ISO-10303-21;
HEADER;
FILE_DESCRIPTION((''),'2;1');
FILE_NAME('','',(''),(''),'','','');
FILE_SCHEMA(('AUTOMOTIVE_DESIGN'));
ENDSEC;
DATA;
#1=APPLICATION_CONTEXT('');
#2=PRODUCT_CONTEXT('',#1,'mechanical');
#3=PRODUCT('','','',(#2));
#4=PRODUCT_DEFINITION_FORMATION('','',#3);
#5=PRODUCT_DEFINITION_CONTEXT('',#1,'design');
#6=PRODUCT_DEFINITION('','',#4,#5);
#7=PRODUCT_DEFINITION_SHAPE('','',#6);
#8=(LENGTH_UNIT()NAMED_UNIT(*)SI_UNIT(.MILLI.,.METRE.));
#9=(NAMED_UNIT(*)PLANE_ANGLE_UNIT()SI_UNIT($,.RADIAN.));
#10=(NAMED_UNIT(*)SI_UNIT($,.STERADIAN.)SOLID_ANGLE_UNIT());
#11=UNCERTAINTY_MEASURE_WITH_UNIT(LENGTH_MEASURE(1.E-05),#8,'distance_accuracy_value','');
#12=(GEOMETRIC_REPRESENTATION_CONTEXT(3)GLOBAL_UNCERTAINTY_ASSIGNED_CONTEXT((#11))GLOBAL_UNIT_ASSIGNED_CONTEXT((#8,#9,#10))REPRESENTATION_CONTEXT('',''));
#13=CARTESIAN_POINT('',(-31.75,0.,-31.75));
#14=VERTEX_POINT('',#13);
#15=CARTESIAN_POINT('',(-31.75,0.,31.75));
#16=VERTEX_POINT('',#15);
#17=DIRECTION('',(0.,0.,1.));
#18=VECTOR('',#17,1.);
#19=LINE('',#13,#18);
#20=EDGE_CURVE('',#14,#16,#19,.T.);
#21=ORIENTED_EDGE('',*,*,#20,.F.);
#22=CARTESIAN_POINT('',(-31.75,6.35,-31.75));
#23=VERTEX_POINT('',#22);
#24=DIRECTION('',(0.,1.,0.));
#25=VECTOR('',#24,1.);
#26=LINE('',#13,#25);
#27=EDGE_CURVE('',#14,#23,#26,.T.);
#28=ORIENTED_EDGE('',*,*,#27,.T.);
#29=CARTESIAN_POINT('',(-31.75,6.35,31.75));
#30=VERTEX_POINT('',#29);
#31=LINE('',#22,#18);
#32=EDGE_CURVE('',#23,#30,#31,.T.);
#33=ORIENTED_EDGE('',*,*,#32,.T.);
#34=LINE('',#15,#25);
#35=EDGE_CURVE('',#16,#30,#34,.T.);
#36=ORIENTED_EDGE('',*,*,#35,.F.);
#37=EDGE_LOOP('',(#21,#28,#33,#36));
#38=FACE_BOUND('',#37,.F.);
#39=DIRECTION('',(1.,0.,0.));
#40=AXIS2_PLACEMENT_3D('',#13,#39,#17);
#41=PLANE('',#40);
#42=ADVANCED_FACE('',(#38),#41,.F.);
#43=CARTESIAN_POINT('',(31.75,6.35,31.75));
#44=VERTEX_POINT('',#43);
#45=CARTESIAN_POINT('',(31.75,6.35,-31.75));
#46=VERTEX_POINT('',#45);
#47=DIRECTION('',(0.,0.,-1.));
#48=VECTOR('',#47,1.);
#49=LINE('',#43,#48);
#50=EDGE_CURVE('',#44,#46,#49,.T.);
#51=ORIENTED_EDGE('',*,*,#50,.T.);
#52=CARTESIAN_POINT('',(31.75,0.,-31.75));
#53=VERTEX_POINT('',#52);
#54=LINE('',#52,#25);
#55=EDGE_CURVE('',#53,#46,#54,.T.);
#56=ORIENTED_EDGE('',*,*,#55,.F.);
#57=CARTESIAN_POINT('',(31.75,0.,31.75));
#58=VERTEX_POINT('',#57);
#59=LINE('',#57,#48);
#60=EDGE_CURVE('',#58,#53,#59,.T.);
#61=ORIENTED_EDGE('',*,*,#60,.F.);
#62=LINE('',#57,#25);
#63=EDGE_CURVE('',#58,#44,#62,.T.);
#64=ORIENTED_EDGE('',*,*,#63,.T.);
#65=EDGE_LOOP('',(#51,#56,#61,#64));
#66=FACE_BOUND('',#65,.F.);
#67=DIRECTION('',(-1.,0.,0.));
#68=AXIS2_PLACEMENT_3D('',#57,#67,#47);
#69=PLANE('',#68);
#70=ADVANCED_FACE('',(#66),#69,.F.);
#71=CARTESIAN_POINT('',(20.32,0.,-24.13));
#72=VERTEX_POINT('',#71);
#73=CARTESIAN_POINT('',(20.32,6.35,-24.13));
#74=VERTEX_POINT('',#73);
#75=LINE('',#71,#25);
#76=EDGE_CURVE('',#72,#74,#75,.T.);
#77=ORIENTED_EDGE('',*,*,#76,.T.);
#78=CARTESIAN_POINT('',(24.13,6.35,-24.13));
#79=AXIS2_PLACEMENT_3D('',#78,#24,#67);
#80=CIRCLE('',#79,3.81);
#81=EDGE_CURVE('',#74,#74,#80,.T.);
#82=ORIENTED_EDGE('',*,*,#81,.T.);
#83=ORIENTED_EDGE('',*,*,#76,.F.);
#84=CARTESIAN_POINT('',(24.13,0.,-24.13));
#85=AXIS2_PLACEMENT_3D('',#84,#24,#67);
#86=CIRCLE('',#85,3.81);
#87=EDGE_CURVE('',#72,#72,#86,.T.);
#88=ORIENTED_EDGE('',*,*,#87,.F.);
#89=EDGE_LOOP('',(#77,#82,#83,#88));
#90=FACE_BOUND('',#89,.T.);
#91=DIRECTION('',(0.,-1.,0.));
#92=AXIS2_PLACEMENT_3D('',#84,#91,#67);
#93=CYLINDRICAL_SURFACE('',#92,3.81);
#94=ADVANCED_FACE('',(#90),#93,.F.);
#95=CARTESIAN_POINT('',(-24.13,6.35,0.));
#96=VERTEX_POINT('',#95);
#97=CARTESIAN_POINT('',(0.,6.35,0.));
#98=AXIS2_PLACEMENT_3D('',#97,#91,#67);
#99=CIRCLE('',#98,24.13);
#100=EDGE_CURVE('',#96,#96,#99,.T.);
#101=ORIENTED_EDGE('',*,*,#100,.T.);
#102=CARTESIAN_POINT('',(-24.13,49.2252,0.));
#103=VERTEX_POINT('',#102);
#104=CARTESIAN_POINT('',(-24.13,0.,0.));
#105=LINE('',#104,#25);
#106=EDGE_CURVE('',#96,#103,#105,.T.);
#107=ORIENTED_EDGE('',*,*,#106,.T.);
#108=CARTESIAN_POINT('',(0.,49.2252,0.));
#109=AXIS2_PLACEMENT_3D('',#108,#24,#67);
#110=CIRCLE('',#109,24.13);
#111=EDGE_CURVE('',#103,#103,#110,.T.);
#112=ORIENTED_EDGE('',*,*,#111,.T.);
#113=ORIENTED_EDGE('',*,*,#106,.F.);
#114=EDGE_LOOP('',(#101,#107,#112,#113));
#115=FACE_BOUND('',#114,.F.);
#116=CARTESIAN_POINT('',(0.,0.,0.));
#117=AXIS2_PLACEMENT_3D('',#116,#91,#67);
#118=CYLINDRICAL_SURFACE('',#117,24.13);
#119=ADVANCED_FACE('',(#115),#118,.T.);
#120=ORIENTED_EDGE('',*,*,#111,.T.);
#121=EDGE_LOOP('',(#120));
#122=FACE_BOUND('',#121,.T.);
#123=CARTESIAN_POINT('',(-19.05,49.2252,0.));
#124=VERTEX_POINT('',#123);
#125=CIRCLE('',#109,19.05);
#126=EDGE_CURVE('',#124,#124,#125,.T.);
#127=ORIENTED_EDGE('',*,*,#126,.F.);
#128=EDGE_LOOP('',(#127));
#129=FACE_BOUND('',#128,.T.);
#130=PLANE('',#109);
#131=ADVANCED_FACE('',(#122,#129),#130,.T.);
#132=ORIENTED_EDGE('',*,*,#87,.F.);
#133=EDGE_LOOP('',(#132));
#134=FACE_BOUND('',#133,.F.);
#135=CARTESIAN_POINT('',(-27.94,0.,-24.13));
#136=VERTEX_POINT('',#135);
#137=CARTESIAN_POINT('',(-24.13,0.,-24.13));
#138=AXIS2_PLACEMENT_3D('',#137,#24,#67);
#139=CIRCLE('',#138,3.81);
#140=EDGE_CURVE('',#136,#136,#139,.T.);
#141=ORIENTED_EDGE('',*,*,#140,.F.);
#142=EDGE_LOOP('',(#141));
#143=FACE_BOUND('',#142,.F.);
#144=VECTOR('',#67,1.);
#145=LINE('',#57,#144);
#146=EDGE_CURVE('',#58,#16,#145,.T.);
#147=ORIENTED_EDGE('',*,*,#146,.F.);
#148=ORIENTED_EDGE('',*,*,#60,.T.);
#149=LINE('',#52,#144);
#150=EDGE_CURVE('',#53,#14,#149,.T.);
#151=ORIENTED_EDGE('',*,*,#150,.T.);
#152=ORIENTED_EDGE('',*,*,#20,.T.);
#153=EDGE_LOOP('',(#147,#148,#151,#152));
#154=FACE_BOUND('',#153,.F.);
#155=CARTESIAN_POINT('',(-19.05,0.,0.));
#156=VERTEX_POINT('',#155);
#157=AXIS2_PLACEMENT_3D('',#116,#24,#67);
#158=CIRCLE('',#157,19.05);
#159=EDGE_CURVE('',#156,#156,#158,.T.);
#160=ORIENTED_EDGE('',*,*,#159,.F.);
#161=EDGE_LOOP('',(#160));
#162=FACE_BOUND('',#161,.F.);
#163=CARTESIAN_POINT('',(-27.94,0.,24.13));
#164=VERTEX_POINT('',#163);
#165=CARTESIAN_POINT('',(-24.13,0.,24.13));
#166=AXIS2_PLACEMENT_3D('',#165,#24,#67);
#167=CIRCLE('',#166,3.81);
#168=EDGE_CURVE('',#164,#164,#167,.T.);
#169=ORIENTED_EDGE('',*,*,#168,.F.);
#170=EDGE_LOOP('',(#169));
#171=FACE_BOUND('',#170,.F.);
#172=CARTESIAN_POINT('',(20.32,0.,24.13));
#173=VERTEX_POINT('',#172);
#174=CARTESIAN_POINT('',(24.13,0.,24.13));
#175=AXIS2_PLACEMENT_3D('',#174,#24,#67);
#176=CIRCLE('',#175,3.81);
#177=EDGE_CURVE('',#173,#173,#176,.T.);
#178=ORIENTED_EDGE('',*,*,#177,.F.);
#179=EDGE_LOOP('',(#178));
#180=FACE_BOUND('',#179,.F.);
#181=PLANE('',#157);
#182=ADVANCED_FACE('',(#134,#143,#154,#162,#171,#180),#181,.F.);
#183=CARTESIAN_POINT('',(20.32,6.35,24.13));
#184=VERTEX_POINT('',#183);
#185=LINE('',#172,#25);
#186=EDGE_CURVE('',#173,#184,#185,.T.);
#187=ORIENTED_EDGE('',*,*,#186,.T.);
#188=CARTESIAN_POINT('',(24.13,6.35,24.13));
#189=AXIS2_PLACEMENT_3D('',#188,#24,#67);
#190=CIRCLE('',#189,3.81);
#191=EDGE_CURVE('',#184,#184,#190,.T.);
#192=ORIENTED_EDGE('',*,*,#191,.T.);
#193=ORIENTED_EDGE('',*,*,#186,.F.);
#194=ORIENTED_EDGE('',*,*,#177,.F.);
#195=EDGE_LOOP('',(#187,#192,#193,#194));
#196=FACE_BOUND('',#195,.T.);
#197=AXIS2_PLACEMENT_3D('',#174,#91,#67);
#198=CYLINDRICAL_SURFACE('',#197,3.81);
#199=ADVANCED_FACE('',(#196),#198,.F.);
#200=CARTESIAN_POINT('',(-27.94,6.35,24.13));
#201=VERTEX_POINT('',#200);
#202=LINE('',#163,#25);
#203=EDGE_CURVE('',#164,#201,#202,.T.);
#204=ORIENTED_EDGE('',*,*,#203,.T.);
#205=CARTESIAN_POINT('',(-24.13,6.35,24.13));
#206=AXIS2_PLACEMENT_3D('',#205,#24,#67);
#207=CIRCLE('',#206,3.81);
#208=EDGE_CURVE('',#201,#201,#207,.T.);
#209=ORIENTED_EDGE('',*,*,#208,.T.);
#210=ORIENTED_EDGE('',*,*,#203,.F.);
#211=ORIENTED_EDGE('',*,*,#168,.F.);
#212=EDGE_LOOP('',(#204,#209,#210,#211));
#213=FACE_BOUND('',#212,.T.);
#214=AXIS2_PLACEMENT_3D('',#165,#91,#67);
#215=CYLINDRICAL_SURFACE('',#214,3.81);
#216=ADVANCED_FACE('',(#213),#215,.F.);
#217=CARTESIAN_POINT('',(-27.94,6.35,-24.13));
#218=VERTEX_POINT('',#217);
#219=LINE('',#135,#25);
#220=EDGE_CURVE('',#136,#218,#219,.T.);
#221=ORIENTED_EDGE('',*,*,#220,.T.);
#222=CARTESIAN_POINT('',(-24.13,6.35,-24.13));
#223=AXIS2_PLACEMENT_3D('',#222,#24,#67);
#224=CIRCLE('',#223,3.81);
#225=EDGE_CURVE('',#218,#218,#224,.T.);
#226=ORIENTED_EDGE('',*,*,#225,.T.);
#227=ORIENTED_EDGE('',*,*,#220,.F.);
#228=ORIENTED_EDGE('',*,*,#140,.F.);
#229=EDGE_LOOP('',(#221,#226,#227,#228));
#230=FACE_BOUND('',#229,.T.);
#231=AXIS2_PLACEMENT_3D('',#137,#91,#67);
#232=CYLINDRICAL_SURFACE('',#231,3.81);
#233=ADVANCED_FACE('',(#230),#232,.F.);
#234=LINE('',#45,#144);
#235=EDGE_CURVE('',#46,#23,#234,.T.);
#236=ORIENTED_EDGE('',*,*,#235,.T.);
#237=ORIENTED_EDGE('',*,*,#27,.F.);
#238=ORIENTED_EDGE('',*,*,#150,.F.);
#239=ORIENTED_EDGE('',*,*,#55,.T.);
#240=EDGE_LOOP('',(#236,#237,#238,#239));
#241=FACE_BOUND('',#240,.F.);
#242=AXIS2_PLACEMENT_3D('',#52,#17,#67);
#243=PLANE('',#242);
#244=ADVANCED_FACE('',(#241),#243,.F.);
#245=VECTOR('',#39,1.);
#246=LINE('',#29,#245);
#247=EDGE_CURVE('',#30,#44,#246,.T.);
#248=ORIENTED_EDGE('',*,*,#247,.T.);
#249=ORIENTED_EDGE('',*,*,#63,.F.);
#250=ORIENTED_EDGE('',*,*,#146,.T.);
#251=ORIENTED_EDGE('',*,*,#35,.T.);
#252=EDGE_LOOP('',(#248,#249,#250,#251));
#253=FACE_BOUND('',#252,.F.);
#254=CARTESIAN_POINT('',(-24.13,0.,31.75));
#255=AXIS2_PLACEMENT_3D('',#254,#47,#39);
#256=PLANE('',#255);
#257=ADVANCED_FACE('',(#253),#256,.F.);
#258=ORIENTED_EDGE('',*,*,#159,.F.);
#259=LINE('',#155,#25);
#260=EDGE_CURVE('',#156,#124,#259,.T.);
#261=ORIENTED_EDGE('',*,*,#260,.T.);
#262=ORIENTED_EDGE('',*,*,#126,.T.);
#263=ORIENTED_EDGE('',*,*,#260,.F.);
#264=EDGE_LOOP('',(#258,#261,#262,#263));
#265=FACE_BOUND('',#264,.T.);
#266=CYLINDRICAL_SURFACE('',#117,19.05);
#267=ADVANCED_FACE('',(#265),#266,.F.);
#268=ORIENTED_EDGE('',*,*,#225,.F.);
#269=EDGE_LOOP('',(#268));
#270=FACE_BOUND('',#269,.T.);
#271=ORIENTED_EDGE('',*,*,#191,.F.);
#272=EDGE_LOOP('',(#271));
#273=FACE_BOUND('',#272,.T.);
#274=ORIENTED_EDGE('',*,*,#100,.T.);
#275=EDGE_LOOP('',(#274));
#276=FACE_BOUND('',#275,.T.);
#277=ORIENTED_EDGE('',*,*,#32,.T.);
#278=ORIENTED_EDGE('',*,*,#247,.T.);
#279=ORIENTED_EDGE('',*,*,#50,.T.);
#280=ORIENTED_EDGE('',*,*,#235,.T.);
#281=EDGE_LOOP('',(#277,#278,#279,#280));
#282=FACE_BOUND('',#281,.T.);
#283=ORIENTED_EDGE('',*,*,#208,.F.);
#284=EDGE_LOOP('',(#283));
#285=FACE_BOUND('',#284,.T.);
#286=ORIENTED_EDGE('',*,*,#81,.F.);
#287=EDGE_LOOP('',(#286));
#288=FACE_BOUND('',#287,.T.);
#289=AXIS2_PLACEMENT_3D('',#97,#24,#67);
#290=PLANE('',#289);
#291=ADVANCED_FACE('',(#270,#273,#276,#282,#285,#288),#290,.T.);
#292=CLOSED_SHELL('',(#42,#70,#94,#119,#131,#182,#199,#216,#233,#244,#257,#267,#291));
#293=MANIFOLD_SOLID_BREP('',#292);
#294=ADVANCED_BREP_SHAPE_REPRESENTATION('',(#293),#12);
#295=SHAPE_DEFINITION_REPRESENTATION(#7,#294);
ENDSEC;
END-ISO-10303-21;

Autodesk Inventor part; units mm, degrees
ref_plane "YZ Plane" through (0, 0, 0) normal (1, 0, 0) x (0, 1, 0)
ref_plane "XZ Plane" through (0, 0, 0) normal (0, 1, 0) x (-1, 0, 0)
ref_plane "XY Plane" through (0, 0, 0) normal (0, 0, 1) x (1, 0, 0)
sketch "Sketch1" plane through (0, 0, 0) normal (0, 1, 0) x (-1, 0, 0)
  circle A0 centre (0, 0) radius 19.05
  circle A1 centre (0, 0) radius 24.13
  line L0 (31.75, 31.75) -> (-31.75, 31.75)
  line L1 (-31.75, 31.75) -> (-31.75, -31.75)
  line L2 (-31.75, -31.75) -> (31.75, -31.75)
  line L3 (31.75, -31.75) -> (31.75, 31.75)
  line L4 (31.75, 31.75) -> (24.13, 31.75)
  circle A2 centre (24.13, 24.13) radius 3.81
  circle A3 centre (-24.13, 24.13) radius 3.81
  circle A4 centre (24.13, -24.13) radius 3.81
  circle A5 centre (-24.13, -24.13) radius 3.81
  dimension "d10" = 63.5
  dimension "d11" = 63.5
  dimension "d14" = 7.62
extrude "Extrusion1" add sketch "Sketch1" along normal blind 49.2252 contours A1
extrude "Extrusion3" add sketch "Sketch1" along normal blind 6.35 contours A1 | L3 L2 L1 L0 | A2 | A3 | A4 | A5
extrude "Extrusion4" cut sketch "Sketch1" along normal blind 6.35 contours A2 | A3 | A4 | A5
properties part number "Cylinders"
